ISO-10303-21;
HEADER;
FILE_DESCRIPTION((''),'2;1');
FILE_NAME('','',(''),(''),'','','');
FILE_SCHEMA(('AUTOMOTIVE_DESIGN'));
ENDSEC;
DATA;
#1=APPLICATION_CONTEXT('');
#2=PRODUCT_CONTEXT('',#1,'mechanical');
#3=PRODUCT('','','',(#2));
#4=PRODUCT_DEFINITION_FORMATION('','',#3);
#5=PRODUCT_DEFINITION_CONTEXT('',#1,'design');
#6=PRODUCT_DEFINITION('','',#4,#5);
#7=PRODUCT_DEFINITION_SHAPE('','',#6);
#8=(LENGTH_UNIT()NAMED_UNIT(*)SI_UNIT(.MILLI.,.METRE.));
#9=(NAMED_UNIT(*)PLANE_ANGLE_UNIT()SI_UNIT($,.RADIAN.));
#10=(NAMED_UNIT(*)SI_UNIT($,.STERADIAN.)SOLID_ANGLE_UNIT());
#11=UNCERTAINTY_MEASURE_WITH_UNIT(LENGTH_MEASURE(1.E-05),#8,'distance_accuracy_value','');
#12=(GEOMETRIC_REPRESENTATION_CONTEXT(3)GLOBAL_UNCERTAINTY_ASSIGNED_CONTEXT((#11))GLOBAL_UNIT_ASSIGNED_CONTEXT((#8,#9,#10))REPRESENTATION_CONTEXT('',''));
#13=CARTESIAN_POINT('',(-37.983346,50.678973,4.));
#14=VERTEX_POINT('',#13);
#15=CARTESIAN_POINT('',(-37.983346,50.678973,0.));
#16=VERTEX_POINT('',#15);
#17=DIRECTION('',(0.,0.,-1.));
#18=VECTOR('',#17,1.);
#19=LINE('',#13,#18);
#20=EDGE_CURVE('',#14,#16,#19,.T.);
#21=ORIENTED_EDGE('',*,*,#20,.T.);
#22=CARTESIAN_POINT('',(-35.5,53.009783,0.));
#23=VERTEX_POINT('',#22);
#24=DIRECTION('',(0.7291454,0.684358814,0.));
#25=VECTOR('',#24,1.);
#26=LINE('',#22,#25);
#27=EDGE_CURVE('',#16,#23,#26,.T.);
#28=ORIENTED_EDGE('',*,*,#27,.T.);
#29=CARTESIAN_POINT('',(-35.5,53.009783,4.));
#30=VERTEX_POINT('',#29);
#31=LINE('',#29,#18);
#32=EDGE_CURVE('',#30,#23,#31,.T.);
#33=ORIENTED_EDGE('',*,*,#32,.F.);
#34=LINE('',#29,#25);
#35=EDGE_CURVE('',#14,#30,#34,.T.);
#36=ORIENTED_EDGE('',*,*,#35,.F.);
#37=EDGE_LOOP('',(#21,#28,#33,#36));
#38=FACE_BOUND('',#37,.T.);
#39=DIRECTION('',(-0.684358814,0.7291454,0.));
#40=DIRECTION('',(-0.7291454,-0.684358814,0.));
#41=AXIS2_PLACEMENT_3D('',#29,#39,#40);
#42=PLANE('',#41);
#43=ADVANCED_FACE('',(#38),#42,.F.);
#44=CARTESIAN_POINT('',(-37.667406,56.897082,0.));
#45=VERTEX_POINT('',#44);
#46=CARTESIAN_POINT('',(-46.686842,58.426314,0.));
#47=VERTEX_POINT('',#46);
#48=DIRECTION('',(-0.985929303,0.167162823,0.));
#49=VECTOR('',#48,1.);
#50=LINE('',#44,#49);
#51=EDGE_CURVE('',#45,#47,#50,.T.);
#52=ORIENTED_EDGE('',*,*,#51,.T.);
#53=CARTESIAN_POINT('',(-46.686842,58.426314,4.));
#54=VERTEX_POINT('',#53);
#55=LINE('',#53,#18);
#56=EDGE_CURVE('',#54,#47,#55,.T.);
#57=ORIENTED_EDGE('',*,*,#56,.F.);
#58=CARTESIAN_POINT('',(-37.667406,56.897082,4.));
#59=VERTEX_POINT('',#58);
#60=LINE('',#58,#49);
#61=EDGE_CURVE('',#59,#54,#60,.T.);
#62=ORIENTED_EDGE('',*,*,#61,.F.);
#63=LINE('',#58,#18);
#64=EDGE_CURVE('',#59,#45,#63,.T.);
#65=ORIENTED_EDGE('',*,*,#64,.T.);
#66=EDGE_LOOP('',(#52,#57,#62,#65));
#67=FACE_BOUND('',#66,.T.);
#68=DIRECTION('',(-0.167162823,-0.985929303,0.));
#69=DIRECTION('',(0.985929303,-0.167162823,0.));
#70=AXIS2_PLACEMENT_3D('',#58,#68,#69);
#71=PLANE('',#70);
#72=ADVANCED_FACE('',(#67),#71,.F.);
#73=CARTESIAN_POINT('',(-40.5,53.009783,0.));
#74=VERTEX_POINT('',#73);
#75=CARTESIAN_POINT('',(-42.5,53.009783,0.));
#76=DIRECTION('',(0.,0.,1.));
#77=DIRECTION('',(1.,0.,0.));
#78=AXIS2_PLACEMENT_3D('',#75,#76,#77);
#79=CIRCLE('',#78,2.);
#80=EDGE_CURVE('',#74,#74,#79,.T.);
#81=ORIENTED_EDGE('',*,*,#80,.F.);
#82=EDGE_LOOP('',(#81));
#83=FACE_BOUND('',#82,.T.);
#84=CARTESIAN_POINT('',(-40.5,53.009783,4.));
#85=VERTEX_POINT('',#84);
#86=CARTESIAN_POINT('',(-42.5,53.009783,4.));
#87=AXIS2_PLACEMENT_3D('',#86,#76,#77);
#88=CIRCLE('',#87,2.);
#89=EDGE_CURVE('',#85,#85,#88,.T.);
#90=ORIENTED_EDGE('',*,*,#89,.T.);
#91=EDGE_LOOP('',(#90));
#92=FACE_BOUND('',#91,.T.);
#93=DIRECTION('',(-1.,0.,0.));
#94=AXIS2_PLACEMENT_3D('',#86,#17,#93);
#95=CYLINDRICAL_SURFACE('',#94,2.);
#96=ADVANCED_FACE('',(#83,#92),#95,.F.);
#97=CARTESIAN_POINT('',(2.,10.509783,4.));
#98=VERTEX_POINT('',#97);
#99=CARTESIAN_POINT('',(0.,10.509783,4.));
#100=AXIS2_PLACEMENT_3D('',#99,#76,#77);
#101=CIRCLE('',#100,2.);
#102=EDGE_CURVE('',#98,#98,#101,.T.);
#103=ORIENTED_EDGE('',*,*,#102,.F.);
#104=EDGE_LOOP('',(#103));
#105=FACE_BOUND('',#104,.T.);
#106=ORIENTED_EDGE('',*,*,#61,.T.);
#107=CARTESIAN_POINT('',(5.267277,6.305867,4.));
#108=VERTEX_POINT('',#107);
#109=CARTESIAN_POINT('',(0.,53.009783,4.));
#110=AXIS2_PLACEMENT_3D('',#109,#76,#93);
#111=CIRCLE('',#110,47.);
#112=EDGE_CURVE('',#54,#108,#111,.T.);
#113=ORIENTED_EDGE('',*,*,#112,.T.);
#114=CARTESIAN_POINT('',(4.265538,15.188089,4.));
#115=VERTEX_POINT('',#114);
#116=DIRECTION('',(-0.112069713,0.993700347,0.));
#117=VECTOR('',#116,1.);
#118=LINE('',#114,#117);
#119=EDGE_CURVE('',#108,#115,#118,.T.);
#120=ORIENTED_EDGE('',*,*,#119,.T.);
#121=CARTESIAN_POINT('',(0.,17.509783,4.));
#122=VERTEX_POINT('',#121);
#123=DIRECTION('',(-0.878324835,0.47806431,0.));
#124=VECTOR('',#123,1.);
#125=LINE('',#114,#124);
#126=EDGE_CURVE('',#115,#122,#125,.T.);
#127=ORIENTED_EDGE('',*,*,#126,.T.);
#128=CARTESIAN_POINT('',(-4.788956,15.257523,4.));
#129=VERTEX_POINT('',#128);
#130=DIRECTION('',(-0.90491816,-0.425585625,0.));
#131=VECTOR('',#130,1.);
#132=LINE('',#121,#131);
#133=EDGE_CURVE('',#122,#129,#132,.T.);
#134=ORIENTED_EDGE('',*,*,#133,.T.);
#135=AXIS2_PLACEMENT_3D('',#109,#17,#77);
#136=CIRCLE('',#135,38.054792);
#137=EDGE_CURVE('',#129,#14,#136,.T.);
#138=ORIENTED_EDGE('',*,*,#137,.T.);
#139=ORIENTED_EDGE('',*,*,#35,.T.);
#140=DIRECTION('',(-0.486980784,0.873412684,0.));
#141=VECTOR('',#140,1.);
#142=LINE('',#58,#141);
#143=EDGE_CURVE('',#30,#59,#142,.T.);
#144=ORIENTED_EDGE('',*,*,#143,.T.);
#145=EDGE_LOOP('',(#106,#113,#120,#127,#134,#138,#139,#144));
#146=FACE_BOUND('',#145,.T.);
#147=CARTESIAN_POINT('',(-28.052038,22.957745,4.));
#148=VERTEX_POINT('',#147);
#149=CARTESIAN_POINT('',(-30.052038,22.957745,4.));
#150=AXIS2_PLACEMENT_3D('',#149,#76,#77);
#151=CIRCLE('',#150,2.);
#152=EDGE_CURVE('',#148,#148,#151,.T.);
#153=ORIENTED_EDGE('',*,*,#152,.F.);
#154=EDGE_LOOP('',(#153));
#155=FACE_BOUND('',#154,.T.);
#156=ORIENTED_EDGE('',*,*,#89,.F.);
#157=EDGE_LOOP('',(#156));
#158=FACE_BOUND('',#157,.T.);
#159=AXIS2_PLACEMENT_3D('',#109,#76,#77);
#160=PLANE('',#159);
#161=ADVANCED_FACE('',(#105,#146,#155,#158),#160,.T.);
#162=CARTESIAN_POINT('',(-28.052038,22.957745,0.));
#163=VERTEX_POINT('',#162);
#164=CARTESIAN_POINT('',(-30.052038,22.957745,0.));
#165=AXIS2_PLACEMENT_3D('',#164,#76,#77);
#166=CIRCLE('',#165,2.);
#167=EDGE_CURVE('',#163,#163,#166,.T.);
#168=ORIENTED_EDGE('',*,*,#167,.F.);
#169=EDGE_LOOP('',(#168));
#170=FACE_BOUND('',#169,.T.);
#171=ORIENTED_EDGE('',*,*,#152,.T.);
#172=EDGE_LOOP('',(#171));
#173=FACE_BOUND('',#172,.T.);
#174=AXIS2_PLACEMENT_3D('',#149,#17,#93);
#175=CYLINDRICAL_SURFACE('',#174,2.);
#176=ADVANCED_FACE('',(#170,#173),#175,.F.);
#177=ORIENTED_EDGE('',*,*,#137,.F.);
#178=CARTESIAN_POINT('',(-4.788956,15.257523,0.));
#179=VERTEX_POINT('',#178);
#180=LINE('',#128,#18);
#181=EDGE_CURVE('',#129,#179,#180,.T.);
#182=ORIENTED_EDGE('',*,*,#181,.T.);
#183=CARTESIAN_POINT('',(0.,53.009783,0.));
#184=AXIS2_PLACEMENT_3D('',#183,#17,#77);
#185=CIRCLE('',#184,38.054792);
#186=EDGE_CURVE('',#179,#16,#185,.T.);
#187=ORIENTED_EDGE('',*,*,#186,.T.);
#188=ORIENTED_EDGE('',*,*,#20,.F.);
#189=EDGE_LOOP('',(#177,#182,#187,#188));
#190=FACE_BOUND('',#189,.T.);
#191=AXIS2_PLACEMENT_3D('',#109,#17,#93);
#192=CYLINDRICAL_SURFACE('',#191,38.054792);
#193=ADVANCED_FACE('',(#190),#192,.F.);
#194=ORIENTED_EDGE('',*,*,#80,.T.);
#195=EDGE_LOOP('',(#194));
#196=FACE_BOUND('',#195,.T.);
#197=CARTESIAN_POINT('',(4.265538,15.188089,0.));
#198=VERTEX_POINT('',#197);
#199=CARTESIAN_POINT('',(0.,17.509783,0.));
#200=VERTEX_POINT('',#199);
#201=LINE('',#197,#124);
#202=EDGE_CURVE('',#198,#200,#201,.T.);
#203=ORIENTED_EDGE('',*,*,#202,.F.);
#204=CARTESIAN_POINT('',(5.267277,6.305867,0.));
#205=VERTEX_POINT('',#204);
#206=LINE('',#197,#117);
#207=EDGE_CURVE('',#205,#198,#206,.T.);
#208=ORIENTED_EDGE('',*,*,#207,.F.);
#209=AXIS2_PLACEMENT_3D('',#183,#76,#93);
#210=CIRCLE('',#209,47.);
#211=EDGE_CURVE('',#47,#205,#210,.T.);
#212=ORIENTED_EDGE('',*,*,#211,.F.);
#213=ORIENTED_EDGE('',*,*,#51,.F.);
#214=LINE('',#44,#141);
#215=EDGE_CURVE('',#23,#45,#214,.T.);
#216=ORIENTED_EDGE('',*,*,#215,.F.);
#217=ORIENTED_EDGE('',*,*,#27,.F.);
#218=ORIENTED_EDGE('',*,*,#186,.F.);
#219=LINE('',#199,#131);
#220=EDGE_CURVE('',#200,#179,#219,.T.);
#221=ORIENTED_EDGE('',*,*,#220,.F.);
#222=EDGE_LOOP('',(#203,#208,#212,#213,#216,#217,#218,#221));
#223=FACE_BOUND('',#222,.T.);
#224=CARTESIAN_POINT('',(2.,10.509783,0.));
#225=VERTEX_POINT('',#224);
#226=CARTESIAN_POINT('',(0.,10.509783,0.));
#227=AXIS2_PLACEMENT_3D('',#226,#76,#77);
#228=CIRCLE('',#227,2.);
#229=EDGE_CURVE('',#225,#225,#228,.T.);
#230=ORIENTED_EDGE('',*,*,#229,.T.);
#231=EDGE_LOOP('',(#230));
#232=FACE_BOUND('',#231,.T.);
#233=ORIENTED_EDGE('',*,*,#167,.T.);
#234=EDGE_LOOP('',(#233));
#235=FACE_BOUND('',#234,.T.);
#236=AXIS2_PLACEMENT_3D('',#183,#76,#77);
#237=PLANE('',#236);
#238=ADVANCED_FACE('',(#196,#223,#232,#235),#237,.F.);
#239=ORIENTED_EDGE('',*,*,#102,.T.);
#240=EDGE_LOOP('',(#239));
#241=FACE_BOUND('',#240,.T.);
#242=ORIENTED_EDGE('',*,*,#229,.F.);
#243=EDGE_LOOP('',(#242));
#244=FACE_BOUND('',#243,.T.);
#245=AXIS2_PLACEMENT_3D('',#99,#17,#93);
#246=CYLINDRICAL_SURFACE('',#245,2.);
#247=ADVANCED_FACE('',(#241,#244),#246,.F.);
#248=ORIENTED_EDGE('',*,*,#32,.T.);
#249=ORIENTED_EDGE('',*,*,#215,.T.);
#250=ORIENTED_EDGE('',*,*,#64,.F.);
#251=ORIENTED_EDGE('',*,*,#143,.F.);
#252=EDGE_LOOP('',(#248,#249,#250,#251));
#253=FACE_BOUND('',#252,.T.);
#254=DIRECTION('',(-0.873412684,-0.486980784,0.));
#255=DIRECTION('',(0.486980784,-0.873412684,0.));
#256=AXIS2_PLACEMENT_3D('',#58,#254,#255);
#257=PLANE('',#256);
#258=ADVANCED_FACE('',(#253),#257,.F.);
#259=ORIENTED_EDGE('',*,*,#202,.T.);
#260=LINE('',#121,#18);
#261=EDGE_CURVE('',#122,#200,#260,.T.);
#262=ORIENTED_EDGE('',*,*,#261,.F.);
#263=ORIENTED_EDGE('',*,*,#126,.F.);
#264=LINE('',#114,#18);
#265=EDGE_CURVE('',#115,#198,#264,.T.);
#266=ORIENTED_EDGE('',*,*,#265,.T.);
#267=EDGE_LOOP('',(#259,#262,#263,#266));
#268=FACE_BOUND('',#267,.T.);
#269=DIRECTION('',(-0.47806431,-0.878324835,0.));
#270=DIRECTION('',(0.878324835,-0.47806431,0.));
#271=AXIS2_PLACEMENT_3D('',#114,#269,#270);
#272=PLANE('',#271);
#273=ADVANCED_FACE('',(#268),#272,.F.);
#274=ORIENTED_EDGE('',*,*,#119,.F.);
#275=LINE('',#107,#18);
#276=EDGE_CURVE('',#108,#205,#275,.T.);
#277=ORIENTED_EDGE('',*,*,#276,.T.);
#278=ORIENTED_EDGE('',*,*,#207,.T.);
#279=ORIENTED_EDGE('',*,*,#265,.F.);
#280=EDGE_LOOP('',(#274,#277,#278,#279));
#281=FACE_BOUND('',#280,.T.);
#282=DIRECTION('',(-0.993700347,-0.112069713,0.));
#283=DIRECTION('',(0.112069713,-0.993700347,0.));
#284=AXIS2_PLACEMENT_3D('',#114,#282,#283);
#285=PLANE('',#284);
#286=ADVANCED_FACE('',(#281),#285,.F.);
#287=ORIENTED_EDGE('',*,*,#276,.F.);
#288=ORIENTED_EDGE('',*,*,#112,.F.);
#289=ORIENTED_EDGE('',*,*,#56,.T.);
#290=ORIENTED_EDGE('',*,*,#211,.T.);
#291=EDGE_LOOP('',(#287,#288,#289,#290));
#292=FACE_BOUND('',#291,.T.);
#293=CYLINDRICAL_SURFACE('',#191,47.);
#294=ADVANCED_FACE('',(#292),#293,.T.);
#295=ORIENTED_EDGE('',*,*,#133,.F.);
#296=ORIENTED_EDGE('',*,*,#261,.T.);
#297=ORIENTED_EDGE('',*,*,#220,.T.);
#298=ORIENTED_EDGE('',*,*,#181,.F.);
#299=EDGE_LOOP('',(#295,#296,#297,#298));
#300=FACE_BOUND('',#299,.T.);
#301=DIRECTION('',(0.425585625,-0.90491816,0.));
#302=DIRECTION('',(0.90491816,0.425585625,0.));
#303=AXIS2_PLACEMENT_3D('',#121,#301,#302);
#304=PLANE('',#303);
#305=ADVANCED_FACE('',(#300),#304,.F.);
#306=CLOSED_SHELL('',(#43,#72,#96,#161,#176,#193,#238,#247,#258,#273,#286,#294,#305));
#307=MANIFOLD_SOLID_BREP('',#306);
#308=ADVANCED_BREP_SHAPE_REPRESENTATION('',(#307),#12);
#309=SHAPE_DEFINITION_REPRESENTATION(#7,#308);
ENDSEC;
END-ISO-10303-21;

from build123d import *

# Parameters (mm, degrees)
SKETCH_3_R      = 2
EXTRUDE_1_DEPTH = 4


with BuildPart() as part:
    # 草图3 → 凸台-拉伸1 (new body)
    with BuildSketch(Plane.XY):
        with BuildLine():
            Line((-37.667405861, 56.89708202), (-46.686841808, 58.42631375))
            ThreePointArc((-46.686841808, 58.42631375), (-33.287089683, 19.828920451), (5.267276505, 6.30586701))
            Line((5.267276505, 6.30586701), (4.265537779, 15.188089459))
            Line((4.265537779, 15.188089459), (0, 17.509783315))
            Line((0, 17.509783315), (-4.788956139, 15.257523407))
            ThreePointArc((-4.788956139, 15.257523407), (-27.767557087, 26.988061571), (-37.98334573, 50.67897311))
            Line((-37.98334573, 50.67897311), (-35.5, 53.009783315))
            Line((-35.5, 53.009783315), (-37.667405861, 56.89708202))
        make_face()
        with Locations((0, 10.509783315)):
            Circle(SKETCH_3_R, mode=Mode.SUBTRACT)
        with Locations((-30.0520382, 22.957745114)):
            Circle(SKETCH_3_R, mode=Mode.SUBTRACT)
        with Locations((-42.5, 53.009783315)):
            Circle(SKETCH_3_R, mode=Mode.SUBTRACT)
    extrude(amount=EXTRUDE_1_DEPTH)


solid = part.part
